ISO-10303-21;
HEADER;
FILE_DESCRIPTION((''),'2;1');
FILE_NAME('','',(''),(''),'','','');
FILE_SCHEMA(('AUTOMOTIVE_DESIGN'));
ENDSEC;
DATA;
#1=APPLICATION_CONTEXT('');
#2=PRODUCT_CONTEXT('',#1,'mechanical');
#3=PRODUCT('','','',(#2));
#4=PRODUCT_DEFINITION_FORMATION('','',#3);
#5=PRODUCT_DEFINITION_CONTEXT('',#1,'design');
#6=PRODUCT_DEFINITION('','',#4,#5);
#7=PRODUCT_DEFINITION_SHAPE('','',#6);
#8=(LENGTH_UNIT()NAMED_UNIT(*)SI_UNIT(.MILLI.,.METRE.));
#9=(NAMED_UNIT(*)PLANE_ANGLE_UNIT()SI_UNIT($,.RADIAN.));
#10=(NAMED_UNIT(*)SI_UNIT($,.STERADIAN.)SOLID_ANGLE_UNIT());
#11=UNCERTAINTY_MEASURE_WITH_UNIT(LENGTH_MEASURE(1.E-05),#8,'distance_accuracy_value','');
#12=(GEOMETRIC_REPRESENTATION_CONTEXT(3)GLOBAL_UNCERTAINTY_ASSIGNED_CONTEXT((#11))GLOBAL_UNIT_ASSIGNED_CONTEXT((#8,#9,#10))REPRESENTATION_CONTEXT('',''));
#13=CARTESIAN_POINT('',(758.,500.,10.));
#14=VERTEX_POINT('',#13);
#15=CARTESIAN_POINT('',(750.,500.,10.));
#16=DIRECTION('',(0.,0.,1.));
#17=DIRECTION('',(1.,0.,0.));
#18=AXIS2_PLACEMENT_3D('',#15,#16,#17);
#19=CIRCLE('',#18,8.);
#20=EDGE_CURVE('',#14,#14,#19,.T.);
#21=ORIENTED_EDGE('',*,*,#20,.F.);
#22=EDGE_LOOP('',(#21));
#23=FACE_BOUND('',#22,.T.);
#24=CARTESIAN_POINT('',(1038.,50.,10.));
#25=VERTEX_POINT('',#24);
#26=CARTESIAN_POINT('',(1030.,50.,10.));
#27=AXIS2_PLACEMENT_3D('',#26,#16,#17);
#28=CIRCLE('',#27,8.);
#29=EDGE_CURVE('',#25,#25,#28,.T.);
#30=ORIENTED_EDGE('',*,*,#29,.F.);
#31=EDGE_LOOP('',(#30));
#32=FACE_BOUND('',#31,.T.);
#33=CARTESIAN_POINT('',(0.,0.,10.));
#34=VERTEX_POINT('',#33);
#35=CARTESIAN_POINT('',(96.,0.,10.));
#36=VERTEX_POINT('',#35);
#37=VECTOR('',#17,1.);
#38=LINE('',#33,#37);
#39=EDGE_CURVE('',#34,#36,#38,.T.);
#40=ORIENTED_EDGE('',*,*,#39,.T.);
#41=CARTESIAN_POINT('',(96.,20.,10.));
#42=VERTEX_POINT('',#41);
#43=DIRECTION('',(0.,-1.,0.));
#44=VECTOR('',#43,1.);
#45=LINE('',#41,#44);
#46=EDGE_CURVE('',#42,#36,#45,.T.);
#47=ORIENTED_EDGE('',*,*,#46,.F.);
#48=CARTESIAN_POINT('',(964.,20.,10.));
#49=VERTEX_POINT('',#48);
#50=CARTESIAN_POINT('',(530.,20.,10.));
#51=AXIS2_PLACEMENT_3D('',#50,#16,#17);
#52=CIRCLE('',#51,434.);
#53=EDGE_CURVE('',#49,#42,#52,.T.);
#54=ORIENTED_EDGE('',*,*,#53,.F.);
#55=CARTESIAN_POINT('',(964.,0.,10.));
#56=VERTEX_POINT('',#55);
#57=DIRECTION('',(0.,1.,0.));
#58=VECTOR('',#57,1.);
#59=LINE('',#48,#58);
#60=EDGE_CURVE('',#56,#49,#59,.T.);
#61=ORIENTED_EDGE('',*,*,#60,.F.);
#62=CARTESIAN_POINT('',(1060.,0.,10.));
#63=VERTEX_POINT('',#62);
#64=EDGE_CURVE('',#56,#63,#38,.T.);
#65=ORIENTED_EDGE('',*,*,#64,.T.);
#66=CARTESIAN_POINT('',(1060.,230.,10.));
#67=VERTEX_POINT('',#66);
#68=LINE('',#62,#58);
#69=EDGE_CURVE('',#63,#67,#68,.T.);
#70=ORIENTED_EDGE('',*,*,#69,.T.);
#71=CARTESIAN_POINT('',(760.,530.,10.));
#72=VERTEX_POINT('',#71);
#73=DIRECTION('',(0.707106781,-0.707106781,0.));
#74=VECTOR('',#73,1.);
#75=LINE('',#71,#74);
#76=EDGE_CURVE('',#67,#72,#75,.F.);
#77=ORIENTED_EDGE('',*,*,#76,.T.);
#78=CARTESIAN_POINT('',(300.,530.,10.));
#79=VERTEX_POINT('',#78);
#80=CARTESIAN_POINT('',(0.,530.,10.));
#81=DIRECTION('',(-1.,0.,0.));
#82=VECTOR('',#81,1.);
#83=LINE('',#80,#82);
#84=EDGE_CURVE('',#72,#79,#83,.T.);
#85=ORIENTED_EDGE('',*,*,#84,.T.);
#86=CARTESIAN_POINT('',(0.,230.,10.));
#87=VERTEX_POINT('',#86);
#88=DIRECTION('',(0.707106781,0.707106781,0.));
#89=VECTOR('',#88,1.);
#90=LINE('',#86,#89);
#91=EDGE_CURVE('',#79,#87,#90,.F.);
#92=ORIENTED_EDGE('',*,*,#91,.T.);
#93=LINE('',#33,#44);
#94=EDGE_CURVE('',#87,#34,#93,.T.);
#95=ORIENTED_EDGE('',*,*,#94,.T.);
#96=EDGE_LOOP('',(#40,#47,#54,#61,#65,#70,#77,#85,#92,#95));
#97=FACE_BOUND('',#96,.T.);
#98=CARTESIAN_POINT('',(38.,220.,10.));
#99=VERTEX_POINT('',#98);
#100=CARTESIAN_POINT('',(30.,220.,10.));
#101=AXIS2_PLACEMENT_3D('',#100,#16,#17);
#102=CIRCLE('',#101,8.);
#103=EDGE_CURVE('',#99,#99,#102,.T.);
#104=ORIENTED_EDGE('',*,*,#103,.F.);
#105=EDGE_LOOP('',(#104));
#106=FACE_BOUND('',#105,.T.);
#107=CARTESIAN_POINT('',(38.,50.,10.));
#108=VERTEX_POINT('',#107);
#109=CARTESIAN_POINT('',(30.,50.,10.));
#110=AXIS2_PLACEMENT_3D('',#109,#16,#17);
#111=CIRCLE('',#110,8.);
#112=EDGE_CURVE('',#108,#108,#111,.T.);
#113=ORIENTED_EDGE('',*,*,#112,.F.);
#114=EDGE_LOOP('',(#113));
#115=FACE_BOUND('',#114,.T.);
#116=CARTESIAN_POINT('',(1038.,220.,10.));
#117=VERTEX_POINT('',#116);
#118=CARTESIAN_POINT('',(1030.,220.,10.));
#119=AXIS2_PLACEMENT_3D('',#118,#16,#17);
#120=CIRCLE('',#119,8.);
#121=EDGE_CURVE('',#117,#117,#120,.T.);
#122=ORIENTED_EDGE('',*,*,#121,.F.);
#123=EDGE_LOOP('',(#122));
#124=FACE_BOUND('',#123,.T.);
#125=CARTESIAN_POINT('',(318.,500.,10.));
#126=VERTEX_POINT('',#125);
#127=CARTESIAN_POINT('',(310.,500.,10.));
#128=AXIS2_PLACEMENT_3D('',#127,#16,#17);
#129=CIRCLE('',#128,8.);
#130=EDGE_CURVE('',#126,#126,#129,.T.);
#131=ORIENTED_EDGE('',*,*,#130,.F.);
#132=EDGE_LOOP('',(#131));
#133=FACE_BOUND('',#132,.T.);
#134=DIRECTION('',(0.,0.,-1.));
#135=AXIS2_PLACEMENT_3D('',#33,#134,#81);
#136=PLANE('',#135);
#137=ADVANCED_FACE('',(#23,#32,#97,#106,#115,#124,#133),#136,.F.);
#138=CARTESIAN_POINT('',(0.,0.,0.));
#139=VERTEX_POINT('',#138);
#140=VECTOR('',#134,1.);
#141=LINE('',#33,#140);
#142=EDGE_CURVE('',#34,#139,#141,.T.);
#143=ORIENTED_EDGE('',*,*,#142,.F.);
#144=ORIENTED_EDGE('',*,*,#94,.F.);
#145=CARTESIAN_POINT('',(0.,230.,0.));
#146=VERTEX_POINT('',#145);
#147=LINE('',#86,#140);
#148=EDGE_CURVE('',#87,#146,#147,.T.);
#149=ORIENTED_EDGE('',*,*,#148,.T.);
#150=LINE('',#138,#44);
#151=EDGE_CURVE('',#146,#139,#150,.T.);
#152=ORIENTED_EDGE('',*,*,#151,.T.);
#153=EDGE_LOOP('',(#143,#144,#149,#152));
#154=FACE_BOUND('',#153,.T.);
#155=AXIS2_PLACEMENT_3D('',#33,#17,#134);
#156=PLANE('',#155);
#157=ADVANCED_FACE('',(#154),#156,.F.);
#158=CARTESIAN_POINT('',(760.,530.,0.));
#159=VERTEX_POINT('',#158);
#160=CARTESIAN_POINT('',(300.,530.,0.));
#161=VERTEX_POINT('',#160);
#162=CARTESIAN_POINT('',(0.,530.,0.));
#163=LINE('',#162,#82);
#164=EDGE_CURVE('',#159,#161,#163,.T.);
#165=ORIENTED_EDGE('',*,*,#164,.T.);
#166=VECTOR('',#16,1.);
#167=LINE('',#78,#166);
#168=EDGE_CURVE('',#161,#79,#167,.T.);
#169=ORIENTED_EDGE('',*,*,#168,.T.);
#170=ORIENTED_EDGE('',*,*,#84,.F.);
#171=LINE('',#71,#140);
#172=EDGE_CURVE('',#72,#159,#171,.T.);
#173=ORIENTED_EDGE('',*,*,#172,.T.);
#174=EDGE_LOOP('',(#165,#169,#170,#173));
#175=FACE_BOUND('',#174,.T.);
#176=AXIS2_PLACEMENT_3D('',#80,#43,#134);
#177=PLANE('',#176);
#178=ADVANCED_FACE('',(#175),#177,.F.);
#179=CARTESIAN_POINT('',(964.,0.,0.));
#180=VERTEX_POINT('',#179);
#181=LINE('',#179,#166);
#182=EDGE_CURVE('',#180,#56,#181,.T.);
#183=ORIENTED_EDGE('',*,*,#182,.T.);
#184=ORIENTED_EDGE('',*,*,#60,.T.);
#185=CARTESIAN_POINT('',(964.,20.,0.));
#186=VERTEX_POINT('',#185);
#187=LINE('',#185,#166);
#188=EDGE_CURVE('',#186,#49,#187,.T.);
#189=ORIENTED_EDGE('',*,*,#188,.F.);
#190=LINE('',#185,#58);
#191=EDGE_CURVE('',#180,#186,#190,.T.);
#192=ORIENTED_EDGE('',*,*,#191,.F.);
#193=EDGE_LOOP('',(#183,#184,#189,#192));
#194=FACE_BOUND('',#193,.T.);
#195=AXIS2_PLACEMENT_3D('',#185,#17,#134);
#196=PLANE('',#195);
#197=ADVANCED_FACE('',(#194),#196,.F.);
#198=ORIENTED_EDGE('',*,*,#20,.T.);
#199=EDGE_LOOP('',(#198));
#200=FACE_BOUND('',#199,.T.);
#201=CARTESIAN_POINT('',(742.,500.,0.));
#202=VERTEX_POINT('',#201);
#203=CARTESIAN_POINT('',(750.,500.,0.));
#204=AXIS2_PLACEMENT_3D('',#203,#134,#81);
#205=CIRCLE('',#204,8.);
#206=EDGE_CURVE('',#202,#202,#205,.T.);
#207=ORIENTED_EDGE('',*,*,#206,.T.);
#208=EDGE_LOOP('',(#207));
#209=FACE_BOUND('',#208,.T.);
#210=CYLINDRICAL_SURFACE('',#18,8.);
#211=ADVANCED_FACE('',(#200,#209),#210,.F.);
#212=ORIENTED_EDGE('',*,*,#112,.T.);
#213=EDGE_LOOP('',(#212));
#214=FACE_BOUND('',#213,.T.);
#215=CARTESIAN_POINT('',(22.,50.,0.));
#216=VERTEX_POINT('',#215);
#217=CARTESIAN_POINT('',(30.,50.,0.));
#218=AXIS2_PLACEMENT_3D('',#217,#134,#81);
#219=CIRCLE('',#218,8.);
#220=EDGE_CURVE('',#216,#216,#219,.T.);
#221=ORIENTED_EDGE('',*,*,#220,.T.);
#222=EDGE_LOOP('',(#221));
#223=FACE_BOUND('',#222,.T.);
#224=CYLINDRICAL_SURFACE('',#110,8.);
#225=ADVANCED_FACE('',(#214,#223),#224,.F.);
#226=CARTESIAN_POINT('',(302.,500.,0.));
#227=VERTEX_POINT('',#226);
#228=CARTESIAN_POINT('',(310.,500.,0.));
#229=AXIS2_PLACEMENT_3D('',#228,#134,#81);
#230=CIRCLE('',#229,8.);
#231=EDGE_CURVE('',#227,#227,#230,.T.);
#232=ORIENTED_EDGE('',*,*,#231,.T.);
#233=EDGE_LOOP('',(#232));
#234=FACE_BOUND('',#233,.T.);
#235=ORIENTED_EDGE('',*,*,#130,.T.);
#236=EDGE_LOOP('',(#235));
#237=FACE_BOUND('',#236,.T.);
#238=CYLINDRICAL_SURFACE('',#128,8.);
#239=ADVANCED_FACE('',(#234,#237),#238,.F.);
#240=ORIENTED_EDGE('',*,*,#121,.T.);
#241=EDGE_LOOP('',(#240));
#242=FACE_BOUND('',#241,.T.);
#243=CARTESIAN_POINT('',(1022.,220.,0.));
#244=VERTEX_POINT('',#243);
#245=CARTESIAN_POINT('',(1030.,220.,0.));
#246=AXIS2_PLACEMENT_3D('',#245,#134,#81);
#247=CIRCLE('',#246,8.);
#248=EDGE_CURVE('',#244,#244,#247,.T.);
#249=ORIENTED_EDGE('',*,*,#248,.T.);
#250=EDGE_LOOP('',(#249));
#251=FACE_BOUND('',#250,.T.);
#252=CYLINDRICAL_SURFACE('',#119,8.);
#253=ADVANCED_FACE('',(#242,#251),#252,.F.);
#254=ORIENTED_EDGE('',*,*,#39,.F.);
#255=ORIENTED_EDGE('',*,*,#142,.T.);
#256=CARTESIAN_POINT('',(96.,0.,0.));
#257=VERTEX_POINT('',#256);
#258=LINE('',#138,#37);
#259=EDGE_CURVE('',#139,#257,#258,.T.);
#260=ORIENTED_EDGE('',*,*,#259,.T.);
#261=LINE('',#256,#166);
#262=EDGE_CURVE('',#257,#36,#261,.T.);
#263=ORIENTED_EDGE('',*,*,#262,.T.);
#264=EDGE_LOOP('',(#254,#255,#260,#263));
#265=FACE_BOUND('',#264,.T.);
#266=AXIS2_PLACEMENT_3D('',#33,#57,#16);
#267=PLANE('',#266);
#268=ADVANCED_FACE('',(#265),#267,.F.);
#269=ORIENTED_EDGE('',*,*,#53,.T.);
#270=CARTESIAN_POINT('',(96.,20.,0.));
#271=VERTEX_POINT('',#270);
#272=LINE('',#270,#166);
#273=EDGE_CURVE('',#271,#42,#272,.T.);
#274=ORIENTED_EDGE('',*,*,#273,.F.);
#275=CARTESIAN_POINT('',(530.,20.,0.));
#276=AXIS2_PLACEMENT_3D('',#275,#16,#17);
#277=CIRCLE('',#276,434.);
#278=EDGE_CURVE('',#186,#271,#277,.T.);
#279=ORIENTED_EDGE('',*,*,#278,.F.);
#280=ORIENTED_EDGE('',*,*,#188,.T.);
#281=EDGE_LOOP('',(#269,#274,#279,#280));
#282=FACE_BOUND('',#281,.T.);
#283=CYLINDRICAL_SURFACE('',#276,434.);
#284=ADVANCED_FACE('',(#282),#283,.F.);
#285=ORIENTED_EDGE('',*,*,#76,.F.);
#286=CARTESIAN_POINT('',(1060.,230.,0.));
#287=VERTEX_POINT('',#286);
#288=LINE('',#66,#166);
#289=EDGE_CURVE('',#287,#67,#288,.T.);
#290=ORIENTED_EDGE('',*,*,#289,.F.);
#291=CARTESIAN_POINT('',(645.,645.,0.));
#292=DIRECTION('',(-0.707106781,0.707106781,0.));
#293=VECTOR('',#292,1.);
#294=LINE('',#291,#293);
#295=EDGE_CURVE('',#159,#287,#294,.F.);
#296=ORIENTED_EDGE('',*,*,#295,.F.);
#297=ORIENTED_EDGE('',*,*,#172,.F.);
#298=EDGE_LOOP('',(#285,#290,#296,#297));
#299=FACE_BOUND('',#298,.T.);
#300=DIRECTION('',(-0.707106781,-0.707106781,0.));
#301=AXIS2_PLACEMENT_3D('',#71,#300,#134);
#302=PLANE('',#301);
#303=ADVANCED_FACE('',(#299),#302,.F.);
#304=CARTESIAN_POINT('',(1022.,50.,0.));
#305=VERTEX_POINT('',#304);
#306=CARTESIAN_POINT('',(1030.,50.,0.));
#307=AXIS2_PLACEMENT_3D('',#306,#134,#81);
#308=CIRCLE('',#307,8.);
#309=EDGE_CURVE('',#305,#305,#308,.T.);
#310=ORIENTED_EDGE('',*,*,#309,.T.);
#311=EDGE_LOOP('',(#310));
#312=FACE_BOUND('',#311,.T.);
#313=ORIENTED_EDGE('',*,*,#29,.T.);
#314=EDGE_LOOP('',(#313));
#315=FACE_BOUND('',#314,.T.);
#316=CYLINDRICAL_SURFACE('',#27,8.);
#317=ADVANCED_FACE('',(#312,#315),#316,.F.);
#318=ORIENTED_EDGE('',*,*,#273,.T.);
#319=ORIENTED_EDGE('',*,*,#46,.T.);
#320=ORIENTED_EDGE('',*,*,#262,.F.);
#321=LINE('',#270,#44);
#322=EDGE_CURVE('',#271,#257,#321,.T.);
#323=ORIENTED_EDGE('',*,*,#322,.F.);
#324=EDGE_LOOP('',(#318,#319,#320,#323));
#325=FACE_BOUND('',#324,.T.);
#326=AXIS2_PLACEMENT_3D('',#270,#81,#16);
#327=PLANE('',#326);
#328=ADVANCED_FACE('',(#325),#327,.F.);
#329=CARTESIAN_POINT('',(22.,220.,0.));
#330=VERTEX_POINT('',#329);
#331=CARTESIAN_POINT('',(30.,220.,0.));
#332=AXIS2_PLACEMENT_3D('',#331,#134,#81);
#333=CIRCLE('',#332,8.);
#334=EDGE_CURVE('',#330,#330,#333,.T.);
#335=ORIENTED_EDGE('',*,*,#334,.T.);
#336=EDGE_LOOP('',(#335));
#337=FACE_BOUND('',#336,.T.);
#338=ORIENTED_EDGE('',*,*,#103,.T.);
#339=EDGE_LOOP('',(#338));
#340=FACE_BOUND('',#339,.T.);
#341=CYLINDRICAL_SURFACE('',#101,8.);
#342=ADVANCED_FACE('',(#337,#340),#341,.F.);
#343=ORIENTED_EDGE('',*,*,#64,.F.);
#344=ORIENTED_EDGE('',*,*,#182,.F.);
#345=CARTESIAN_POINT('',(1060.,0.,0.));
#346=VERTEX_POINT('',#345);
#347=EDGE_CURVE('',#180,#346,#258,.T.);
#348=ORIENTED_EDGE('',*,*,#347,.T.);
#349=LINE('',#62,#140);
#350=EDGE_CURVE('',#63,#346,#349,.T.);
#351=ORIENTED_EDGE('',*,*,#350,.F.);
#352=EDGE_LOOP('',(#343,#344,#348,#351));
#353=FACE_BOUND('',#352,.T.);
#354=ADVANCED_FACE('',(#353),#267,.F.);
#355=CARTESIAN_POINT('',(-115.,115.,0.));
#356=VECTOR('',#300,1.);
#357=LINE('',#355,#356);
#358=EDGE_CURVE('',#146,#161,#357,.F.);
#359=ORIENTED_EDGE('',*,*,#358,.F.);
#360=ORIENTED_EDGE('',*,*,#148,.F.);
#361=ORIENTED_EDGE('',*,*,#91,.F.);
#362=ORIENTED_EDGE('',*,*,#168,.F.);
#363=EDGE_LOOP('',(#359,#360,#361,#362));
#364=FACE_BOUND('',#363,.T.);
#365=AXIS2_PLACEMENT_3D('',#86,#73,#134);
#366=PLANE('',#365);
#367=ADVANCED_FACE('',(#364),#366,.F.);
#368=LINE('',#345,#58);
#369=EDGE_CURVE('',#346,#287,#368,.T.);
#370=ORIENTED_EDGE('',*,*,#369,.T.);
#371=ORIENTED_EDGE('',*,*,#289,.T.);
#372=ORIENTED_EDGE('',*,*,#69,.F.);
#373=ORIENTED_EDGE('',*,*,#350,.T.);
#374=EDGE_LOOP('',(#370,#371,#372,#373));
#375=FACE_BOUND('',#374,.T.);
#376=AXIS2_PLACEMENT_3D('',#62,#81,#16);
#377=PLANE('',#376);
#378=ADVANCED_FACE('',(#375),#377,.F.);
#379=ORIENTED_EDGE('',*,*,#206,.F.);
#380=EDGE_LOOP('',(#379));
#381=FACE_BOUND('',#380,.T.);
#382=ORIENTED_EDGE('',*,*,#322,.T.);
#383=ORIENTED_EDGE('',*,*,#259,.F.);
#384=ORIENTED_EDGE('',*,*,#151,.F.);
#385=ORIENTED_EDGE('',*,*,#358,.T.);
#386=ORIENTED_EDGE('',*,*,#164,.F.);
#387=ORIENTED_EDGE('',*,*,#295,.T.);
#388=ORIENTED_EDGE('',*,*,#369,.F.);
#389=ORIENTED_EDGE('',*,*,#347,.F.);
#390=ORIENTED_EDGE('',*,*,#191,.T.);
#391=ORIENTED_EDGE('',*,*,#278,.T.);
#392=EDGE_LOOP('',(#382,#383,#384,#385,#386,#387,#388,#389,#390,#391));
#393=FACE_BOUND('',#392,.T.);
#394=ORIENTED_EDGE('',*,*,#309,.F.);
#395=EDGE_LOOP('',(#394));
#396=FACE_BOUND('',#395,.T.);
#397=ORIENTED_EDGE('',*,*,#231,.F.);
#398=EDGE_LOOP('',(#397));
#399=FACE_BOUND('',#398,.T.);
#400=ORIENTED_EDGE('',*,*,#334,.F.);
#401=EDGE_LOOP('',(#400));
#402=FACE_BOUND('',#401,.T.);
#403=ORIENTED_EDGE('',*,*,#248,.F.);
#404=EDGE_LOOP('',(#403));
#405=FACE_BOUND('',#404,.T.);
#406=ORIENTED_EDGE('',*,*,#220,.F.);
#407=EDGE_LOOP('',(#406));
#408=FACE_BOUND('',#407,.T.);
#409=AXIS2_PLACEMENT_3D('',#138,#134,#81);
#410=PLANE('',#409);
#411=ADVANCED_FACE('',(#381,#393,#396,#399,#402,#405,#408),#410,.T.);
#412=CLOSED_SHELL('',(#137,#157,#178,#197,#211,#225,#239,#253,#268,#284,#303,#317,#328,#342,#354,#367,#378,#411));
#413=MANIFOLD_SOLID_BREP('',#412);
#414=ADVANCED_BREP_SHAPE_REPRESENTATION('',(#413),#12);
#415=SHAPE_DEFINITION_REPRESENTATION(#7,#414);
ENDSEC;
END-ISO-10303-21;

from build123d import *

# Parameters (mm, degrees)
SKETCH_1_W                  = 1060
SKETCH_1_H                  = 530
EXTRUDE_1_DEPTH             = 10
CUT_EXTRUDE_1_DEPTH         = 10
CHAMFER_1_SIZE              = 300
HOLE_WIZARD_16_0_16_1_D     = 16
HOLE_WIZARD_16_0_16_1_DEPTH = 42
HOLE_WIZARD_16_0_16_1_TIP   = 4.806884952


with BuildPart() as part:
    # 草图1 → 凸台-拉伸1 (new body)
    with BuildSketch(Plane.XY):
        with Locations((530, 265)):
            Rectangle(SKETCH_1_W, SKETCH_1_H)
    extrude(amount=EXTRUDE_1_DEPTH)

    # 草图2 → 切除-拉伸1 (cut)
    with BuildSketch(Plane.XY.offset(10)):
        with BuildLine():
            Line((96, 20), (96, 0))
            Line((96, 0), (964, 0))
            Line((964, 0), (964, 20))
            ThreePointArc((964, 20), (530, 454), (96, 20))
        make_face()
    extrude(amount=-CUT_EXTRUDE_1_DEPTH, mode=Mode.SUBTRACT)

    # 倒角1
    chamfer_1_edges = [part.edges().sort_by_distance(p)[0] for p in [
        (0, 530, 5),
        (1060, 530, 5),
    ]]
    chamfer(chamfer_1_edges, length=CHAMFER_1_SIZE)

    # Ø16.0 (16) 直径孔1
    with Locations(Plane.XY.offset(10)):
        with Locations((30, 220), (30, 50), (1030, 220), (1030, 50), (310, 500), (750, 500)):
            Hole(HOLE_WIZARD_16_0_16_1_D / 2, depth=HOLE_WIZARD_16_0_16_1_DEPTH)
            with Locations((0, 0, -(HOLE_WIZARD_16_0_16_1_DEPTH + HOLE_WIZARD_16_0_16_1_TIP / 2))):  # 118° drill point
                Cone(0, HOLE_WIZARD_16_0_16_1_D / 2, HOLE_WIZARD_16_0_16_1_TIP, mode=Mode.SUBTRACT)


solid = part.part
